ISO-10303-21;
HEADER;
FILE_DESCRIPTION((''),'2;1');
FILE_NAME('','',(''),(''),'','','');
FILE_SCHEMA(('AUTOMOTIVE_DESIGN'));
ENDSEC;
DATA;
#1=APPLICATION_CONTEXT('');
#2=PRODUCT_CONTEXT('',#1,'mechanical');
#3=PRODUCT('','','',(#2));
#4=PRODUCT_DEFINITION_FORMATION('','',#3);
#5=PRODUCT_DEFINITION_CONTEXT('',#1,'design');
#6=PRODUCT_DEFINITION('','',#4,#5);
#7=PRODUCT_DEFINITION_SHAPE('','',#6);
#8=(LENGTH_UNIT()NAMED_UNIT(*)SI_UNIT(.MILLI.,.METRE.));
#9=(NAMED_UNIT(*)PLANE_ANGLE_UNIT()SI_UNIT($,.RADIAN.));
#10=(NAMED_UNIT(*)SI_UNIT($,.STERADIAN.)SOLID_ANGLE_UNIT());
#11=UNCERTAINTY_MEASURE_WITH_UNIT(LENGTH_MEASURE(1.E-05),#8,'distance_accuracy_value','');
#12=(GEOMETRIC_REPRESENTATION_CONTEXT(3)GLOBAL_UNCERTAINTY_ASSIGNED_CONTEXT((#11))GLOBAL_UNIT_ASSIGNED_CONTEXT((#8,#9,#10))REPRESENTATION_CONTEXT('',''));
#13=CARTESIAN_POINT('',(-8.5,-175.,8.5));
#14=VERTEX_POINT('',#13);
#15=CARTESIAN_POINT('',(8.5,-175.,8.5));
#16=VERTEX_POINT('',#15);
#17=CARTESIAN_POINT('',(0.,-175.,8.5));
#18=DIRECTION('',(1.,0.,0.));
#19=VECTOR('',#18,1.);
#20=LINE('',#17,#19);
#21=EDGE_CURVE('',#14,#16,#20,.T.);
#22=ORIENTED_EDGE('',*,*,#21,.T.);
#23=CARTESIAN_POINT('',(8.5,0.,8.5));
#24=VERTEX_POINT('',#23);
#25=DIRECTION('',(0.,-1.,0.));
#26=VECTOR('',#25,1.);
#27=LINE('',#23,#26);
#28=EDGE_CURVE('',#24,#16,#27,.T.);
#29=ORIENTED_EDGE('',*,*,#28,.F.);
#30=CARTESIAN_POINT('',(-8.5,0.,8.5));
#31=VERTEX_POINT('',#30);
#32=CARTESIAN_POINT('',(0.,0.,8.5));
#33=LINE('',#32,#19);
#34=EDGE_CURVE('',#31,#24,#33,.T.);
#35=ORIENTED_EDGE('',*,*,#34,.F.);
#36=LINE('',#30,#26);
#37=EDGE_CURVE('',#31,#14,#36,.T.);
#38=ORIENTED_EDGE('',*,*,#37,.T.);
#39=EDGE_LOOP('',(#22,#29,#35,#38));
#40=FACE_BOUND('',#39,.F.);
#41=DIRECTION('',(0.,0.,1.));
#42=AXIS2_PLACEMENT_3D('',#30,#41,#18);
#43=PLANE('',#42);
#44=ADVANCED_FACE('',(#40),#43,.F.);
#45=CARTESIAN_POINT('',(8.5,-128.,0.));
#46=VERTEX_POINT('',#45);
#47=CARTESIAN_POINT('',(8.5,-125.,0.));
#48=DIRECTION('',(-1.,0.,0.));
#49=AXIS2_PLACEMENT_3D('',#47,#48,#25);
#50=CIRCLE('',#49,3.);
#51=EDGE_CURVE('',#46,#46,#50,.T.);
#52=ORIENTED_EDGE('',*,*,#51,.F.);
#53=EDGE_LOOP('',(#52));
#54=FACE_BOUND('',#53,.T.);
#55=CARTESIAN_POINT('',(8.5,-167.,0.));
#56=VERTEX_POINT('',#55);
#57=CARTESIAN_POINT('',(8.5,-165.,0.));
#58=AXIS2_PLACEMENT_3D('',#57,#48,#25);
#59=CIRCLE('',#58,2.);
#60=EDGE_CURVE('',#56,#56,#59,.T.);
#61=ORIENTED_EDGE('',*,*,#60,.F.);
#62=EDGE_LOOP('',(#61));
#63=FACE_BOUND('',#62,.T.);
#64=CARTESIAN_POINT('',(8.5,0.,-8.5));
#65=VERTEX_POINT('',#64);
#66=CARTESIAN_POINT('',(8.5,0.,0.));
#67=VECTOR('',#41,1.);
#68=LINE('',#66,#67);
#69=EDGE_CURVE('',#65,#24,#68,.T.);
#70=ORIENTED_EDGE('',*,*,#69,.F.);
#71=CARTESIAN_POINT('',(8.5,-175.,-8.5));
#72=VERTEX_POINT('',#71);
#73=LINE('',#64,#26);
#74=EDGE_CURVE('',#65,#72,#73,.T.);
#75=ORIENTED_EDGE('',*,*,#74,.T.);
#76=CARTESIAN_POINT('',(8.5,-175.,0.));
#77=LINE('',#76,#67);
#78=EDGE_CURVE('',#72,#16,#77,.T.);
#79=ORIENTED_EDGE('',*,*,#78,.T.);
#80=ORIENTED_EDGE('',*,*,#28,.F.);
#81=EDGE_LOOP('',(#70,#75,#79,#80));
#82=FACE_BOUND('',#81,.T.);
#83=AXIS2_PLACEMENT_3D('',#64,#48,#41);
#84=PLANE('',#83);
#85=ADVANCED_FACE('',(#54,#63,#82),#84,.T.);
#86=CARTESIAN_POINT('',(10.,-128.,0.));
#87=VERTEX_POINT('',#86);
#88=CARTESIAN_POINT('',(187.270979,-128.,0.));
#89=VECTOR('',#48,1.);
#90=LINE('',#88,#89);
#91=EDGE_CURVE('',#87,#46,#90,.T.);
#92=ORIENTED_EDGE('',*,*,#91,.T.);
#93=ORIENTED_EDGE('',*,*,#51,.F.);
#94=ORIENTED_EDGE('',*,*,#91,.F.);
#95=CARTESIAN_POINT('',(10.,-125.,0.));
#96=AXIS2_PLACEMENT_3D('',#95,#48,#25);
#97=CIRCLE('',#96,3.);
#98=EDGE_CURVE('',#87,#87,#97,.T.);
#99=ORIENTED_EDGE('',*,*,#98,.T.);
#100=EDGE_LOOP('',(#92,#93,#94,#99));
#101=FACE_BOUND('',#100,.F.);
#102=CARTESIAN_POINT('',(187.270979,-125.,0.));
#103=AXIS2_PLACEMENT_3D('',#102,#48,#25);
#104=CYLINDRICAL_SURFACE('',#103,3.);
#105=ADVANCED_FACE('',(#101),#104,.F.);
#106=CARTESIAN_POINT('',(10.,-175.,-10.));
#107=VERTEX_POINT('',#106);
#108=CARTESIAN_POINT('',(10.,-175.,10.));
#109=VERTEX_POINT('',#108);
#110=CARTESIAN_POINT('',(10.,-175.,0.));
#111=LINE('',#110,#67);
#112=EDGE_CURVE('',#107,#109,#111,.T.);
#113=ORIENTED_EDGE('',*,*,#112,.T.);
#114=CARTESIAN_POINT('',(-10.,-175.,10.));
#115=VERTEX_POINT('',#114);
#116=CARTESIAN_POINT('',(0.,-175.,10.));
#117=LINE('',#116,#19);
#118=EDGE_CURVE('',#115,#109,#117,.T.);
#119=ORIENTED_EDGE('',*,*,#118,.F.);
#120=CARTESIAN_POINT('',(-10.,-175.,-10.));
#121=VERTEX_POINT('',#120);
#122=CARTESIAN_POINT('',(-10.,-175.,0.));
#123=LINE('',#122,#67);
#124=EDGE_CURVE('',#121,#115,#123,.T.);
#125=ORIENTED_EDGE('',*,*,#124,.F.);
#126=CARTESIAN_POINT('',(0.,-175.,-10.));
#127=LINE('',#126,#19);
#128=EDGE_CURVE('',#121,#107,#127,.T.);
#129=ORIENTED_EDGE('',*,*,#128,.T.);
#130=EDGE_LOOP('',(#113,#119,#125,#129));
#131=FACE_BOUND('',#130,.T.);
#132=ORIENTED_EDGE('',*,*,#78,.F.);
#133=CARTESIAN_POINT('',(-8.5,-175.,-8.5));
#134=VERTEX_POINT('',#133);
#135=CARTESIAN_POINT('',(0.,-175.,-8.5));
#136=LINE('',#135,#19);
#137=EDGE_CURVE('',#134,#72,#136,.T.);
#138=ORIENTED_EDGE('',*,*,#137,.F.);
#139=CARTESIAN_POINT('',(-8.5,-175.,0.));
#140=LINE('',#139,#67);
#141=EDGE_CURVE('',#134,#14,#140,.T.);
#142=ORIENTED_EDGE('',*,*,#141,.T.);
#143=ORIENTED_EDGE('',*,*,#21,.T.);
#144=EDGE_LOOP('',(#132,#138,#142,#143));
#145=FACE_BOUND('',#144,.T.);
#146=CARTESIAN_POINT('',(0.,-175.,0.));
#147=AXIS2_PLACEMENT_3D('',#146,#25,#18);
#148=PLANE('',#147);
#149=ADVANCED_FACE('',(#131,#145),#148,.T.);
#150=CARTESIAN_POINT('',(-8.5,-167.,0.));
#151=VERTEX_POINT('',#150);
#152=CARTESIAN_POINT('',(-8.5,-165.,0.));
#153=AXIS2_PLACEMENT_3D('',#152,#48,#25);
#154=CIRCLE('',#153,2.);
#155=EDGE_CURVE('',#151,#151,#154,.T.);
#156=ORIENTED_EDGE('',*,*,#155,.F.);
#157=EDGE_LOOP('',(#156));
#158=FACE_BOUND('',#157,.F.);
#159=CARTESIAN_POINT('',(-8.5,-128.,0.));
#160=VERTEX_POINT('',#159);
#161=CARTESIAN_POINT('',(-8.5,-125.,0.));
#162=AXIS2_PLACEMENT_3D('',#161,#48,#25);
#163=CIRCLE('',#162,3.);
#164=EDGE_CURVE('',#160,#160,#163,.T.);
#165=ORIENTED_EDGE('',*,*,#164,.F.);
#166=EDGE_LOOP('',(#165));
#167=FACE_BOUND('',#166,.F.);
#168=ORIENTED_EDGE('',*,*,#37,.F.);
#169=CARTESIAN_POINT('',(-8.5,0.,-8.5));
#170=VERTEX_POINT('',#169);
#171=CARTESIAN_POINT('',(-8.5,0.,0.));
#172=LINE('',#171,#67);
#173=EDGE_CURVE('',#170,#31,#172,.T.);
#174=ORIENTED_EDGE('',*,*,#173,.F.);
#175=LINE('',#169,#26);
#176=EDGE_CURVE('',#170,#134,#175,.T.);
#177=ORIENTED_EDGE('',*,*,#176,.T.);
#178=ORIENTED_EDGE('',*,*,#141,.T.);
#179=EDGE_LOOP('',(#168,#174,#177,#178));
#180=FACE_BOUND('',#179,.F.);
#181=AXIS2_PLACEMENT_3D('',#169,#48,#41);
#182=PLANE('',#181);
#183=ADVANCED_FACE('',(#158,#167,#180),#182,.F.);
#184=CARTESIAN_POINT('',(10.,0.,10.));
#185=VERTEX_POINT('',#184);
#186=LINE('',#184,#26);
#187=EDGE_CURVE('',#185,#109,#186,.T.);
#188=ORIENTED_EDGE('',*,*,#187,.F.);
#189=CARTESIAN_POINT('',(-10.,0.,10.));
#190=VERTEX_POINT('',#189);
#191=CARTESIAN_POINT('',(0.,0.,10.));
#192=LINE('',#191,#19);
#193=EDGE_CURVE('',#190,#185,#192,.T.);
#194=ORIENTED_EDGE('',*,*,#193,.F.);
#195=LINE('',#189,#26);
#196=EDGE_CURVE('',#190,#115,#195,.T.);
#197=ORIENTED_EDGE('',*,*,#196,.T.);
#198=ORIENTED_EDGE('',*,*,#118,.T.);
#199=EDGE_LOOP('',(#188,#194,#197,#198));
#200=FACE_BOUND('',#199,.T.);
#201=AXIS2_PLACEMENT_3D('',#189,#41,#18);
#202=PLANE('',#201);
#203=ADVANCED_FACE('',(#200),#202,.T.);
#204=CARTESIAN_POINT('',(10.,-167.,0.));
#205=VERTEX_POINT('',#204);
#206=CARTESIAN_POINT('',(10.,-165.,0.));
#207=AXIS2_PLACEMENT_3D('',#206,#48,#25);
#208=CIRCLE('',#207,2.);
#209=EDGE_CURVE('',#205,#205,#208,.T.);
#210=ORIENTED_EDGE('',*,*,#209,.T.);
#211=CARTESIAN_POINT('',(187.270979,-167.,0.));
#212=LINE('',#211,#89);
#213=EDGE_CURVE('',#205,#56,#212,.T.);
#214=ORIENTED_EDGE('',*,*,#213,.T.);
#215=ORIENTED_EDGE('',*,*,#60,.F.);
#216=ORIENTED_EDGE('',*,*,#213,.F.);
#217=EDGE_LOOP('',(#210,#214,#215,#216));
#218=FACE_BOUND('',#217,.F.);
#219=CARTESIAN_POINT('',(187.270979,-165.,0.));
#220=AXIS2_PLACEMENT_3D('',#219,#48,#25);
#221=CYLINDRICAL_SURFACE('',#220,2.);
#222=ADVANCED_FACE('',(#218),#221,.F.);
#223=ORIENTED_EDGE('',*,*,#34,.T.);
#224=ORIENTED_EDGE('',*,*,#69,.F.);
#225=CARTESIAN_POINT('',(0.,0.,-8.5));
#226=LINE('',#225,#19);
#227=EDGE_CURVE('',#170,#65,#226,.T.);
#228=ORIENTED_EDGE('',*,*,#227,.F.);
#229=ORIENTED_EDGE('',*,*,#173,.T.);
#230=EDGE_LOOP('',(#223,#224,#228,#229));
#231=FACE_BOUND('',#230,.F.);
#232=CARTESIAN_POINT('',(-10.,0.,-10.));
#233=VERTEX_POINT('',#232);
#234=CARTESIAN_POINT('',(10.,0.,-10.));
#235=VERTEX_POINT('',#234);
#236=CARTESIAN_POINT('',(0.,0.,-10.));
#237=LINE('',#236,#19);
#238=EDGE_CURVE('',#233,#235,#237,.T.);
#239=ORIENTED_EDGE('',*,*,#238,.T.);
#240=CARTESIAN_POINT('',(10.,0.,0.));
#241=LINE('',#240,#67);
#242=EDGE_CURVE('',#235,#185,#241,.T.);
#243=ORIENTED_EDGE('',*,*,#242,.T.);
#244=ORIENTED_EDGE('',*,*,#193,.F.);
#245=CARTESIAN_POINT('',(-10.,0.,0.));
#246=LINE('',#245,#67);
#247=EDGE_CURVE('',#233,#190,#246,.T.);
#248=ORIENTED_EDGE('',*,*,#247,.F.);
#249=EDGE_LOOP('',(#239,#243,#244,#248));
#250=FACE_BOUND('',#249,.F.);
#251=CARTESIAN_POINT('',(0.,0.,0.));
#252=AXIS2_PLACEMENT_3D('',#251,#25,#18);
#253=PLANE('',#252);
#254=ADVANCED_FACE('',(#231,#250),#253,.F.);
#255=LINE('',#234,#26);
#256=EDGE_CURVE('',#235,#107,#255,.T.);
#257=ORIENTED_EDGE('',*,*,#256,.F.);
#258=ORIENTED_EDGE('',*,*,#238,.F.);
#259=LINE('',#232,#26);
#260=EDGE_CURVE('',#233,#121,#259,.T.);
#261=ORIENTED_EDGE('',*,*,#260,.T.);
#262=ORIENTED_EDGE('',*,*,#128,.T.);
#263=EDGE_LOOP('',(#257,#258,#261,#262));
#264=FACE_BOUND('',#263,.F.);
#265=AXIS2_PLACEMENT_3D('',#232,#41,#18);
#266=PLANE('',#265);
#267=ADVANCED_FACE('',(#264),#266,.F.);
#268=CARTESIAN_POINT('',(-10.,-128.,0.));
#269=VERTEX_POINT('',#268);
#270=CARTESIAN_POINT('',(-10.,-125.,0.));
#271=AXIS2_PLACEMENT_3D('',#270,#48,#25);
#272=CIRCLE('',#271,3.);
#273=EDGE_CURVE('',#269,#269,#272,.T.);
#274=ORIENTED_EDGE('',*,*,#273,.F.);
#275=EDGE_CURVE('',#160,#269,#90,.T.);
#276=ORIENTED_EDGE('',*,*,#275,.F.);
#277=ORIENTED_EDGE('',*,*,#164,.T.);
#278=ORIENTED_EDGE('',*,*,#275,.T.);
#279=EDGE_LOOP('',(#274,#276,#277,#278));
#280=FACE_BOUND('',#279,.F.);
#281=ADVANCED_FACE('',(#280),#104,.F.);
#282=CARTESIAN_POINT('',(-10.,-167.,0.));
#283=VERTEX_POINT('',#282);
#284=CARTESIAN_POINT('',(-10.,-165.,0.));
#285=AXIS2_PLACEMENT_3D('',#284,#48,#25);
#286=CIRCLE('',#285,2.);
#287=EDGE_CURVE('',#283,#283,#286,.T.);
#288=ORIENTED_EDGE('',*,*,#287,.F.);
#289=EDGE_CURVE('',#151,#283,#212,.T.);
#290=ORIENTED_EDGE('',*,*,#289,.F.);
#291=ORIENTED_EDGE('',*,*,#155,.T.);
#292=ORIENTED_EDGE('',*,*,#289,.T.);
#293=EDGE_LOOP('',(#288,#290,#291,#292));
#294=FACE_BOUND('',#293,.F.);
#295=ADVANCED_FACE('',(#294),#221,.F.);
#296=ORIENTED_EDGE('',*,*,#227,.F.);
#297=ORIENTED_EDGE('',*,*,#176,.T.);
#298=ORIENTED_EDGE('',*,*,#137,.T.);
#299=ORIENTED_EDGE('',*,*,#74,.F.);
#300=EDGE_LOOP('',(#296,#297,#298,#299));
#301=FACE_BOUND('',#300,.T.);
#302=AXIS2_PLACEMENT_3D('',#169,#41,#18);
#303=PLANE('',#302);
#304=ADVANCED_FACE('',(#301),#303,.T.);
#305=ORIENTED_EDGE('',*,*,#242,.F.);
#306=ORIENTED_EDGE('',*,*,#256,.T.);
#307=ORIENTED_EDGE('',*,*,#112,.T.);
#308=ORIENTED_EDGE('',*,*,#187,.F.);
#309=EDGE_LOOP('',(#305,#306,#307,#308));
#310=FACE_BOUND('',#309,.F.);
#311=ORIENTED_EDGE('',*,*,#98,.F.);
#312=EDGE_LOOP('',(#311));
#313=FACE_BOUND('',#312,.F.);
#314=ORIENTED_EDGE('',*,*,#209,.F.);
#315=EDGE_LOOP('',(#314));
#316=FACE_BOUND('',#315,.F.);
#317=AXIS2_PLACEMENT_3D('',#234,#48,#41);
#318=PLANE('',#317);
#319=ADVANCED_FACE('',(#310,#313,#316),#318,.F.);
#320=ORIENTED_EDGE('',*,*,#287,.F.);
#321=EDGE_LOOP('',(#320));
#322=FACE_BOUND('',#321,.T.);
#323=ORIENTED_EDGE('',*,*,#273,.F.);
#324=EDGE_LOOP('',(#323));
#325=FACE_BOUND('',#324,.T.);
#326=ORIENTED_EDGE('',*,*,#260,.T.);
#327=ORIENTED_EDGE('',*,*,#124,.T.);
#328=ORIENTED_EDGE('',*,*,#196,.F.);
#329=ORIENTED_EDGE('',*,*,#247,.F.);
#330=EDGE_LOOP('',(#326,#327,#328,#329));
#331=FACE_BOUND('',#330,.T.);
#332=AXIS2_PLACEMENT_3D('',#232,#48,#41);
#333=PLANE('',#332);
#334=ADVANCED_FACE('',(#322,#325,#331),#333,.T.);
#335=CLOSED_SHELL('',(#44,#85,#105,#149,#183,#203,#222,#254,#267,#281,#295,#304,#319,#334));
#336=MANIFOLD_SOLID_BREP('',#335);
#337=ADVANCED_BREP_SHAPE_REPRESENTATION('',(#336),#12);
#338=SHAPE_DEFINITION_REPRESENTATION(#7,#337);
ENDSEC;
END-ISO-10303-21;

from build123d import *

# Parameters (mm, degrees)
F0_W     = 20
F0_H     = 20
F0_W_2   = 17
F0_H_2   = 17
F1_DEPTH = 175
F3_D     = 4
F5_D     = 6


with BuildPart() as f1:
    # F0 (on Front) → F1 (new body)
    with BuildSketch(Plane.XZ):
        Rectangle(F0_W, F0_H)
        Rectangle(F0_W_2, F0_H_2, mode=Mode.SUBTRACT)
    extrude(amount=F1_DEPTH)

    # F3 (through all)
    with Locations(Plane.YZ.offset(10)):
        with Locations((-165, 0)):
            Hole(F3_D / 2)

    # F5 (through all)
    with Locations(Plane.YZ.offset(10)):
        with Locations((-125, 0)):
            Hole(F5_D / 2)


solid = f1.part
